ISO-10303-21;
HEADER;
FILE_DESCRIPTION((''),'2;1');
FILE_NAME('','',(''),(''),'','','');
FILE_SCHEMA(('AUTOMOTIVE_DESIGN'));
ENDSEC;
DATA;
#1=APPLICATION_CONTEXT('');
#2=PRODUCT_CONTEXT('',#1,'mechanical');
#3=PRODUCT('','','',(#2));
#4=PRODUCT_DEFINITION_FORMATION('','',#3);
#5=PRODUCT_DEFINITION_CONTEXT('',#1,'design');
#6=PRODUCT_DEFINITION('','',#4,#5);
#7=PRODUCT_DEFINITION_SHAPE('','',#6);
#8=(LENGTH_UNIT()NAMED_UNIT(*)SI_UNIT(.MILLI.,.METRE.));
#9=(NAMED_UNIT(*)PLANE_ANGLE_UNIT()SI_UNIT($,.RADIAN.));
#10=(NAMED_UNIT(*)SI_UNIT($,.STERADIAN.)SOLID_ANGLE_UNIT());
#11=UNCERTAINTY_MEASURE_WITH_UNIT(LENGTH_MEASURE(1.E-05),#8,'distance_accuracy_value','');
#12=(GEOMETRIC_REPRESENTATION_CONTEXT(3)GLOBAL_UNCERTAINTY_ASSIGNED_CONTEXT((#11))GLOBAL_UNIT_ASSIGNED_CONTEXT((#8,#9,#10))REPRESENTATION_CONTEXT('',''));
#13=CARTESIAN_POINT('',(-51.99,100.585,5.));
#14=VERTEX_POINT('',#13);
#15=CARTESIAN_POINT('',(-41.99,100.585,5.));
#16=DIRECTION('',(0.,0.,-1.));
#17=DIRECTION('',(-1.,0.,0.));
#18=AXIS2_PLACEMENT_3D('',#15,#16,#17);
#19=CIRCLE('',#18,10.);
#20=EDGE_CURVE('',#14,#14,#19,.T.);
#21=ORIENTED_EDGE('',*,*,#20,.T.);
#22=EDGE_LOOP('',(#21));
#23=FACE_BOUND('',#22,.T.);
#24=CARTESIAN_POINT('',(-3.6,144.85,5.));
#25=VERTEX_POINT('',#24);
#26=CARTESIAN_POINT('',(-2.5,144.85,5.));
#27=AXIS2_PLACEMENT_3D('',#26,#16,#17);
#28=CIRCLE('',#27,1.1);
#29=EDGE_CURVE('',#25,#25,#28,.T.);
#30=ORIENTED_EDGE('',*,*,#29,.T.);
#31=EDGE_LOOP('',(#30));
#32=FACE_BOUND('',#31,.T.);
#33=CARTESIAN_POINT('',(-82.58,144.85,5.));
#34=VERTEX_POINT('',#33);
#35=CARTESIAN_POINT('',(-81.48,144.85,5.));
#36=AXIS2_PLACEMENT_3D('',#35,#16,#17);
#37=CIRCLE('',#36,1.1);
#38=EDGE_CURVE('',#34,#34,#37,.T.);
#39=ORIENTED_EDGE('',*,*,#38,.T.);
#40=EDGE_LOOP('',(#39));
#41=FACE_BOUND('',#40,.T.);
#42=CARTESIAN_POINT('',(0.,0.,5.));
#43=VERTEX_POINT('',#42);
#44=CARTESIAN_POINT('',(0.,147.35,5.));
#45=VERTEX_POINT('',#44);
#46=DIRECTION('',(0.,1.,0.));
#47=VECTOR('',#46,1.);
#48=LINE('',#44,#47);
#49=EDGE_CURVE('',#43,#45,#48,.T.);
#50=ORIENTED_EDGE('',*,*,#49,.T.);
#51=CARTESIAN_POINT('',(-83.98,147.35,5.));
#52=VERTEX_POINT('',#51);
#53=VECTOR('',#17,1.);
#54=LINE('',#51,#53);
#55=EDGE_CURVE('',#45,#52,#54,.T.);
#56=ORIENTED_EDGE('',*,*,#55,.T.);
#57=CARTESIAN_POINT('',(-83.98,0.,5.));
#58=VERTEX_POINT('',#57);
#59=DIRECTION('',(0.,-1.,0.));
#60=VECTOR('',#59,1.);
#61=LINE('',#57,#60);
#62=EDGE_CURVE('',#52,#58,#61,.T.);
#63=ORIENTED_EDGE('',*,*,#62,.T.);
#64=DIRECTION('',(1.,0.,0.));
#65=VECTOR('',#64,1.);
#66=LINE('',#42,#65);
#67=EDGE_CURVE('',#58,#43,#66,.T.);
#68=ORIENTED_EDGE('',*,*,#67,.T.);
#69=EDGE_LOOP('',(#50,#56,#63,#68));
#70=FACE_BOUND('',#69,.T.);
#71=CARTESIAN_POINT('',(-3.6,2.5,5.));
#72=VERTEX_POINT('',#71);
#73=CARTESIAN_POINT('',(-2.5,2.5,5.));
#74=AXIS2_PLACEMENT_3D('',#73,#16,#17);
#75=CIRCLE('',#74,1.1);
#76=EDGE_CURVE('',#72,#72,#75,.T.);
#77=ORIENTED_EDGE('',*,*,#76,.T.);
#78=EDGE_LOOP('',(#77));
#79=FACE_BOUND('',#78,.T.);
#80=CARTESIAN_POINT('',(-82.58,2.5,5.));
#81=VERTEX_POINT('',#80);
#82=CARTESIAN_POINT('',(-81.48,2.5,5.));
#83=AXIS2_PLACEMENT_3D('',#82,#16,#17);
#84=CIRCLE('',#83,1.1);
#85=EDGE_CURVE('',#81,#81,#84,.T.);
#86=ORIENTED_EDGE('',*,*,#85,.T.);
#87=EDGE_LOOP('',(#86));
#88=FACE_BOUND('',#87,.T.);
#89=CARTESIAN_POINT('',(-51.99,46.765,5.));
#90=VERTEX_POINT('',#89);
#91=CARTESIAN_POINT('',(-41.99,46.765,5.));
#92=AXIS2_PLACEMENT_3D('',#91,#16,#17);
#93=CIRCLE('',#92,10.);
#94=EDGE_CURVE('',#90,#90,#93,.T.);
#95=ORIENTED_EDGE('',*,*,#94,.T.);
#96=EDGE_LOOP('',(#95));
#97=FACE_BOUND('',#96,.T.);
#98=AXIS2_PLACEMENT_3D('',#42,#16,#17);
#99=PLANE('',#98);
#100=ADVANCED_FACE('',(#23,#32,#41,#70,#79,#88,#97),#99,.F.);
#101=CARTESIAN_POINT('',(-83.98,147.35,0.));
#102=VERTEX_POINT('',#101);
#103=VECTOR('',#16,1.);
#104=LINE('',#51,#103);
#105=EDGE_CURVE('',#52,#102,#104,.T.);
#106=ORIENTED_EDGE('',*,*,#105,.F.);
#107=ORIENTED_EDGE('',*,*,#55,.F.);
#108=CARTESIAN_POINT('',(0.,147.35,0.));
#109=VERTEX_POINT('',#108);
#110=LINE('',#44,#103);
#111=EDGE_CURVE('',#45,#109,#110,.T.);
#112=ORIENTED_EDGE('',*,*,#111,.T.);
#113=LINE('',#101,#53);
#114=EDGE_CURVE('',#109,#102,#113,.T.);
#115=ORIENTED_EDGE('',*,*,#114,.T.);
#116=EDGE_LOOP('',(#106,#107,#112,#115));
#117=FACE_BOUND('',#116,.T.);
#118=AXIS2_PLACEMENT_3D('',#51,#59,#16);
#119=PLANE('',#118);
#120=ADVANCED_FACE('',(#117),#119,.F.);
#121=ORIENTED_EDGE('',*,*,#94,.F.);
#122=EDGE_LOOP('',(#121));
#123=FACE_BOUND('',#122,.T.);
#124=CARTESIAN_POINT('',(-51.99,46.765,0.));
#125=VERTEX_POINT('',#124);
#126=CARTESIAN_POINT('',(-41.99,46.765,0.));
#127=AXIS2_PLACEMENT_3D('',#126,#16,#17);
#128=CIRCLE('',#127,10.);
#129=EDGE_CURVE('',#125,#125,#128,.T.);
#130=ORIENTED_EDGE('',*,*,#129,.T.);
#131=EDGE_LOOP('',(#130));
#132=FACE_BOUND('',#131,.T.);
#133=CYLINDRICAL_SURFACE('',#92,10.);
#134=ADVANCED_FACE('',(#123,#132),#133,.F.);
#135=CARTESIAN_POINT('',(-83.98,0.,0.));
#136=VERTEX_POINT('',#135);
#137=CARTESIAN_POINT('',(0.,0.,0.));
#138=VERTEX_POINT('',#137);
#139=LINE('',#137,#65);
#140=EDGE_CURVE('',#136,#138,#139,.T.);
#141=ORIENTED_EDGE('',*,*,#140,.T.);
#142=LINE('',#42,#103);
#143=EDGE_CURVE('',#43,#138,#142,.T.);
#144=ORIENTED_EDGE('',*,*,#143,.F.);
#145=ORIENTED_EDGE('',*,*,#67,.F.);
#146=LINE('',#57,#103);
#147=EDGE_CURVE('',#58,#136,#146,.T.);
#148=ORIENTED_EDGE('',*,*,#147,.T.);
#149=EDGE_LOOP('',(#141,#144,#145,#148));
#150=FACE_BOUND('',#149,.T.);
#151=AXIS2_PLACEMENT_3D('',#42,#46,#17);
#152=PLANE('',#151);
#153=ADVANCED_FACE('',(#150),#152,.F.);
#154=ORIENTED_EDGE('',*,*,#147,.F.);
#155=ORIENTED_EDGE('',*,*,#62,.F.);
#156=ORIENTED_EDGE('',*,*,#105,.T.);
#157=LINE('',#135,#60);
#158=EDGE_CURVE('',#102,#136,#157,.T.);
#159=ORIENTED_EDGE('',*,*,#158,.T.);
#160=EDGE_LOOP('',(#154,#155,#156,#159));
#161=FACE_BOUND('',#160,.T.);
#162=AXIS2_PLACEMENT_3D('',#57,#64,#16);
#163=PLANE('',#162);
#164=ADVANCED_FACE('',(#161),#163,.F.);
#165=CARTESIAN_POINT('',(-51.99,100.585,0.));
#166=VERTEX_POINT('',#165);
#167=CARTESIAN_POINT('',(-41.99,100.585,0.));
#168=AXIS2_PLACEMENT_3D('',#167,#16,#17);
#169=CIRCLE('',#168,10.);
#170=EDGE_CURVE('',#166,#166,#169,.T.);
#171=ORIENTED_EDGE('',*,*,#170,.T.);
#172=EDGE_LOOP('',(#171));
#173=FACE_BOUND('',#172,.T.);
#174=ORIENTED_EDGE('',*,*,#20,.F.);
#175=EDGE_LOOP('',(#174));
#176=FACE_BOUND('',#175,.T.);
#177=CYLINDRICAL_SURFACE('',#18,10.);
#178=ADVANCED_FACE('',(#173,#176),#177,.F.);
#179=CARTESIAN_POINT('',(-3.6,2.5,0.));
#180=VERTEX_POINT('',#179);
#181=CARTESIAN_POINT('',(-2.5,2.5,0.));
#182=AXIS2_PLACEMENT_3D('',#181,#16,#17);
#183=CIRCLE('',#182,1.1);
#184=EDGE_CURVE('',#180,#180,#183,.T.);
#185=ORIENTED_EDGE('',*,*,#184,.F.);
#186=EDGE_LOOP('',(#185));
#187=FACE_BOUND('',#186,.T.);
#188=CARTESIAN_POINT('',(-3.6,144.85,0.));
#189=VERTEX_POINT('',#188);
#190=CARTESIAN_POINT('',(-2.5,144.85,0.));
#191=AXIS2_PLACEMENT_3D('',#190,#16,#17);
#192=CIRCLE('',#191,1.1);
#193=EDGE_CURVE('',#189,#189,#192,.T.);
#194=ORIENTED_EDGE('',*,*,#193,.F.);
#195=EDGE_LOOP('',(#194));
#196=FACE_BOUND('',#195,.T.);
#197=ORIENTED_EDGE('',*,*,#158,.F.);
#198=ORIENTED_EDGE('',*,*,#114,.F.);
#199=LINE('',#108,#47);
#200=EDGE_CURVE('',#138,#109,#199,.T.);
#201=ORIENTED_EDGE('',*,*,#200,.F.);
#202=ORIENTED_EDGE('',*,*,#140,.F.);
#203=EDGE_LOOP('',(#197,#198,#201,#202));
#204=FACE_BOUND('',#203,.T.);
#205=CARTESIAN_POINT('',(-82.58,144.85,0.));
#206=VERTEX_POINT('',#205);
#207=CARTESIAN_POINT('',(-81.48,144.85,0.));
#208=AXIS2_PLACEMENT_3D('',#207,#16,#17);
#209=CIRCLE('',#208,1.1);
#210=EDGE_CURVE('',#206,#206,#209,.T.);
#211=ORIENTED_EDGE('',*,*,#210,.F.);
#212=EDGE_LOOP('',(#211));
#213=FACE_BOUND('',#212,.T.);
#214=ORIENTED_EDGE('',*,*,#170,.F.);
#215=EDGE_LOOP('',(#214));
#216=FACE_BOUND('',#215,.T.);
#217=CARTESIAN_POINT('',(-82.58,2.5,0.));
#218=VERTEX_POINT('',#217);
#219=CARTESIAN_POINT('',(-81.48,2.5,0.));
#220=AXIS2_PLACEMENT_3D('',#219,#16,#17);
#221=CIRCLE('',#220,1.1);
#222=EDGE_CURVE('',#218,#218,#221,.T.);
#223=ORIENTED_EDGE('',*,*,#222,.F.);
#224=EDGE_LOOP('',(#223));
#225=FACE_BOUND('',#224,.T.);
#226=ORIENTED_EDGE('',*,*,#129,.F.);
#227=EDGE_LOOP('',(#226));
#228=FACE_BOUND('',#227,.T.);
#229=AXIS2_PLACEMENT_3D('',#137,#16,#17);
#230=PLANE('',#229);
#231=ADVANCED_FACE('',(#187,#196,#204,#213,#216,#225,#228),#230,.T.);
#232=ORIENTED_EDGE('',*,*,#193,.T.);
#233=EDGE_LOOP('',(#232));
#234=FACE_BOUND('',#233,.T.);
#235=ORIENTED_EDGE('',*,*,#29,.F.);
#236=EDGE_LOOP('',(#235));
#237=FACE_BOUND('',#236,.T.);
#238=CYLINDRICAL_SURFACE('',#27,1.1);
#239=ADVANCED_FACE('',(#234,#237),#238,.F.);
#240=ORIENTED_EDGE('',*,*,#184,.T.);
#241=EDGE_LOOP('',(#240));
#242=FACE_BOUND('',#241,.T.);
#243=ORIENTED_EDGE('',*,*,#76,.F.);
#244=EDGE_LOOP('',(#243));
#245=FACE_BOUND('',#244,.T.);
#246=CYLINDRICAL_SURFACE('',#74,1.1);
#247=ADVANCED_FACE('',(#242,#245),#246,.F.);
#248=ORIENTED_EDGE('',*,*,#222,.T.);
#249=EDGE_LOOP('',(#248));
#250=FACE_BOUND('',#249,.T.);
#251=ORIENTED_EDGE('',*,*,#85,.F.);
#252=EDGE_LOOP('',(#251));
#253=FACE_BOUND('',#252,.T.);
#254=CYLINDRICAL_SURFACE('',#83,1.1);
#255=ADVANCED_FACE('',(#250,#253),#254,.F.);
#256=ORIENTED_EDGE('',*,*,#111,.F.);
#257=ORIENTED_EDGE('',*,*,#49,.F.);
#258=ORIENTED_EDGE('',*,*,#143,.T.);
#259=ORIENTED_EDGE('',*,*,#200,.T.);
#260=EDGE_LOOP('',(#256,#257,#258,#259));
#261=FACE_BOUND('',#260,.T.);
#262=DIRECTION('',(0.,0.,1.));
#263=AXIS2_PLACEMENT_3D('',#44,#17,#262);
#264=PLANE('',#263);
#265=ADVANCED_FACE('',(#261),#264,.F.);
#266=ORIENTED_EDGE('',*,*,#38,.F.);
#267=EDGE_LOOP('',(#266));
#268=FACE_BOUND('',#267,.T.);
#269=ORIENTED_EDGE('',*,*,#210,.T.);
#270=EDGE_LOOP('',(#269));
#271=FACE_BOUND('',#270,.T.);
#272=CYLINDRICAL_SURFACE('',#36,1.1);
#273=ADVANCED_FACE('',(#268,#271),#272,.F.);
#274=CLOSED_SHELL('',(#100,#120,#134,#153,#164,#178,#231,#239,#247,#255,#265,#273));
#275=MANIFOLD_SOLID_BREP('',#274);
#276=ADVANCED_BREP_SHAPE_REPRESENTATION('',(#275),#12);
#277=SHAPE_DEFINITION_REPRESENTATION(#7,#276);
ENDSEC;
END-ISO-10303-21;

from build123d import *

# Parameters (mm, degrees)
SKETCH1_W                = 83.98
SKETCH1_H                = 147.35
PLATFORM_THICKNESS_DEPTH = 5
SKETCH2_R                = 10
IO_HOLE_1_DEPTH          = 170.675168778
SKETCH3_R                = 1.1
MOUNTING_HOLES_DEPTH     = 170.675168778


with BuildPart() as part:
    # Sketch1 → platform_thickness (new body)
    with BuildSketch(Plane.XY):
        with Locations((-41.99, 73.675)):
            Rectangle(SKETCH1_W, SKETCH1_H)
    extrude(amount=PLATFORM_THICKNESS_DEPTH)

    # Sketch2 → io_hole_1 (cut, through all)
    with BuildSketch(Plane(origin=(0, 0, 0), x_dir=(-1, 0, 0), z_dir=(0, 0, -1))):
        with Locations((41.99, 100.585)):
            Circle(SKETCH2_R)
        with Locations((41.99, 46.765)):
            Circle(SKETCH2_R)
    extrude(amount=-IO_HOLE_1_DEPTH, mode=Mode.SUBTRACT)

    # Sketch3 → mounting_holes (cut, through all)
    with BuildSketch(Plane(origin=(0, 0, 0), x_dir=(-1, 0, 0), z_dir=(0, 0, -1))):
        with Locations((2.5, 144.85)):
            Circle(SKETCH3_R)
        with Locations((81.48, 144.85)):
            Circle(SKETCH3_R)
        with Locations((81.48, 2.5)):
            Circle(SKETCH3_R)
        with Locations((2.5, 2.5)):
            Circle(SKETCH3_R)
    extrude(amount=-MOUNTING_HOLES_DEPTH, mode=Mode.SUBTRACT)


solid = part.part
